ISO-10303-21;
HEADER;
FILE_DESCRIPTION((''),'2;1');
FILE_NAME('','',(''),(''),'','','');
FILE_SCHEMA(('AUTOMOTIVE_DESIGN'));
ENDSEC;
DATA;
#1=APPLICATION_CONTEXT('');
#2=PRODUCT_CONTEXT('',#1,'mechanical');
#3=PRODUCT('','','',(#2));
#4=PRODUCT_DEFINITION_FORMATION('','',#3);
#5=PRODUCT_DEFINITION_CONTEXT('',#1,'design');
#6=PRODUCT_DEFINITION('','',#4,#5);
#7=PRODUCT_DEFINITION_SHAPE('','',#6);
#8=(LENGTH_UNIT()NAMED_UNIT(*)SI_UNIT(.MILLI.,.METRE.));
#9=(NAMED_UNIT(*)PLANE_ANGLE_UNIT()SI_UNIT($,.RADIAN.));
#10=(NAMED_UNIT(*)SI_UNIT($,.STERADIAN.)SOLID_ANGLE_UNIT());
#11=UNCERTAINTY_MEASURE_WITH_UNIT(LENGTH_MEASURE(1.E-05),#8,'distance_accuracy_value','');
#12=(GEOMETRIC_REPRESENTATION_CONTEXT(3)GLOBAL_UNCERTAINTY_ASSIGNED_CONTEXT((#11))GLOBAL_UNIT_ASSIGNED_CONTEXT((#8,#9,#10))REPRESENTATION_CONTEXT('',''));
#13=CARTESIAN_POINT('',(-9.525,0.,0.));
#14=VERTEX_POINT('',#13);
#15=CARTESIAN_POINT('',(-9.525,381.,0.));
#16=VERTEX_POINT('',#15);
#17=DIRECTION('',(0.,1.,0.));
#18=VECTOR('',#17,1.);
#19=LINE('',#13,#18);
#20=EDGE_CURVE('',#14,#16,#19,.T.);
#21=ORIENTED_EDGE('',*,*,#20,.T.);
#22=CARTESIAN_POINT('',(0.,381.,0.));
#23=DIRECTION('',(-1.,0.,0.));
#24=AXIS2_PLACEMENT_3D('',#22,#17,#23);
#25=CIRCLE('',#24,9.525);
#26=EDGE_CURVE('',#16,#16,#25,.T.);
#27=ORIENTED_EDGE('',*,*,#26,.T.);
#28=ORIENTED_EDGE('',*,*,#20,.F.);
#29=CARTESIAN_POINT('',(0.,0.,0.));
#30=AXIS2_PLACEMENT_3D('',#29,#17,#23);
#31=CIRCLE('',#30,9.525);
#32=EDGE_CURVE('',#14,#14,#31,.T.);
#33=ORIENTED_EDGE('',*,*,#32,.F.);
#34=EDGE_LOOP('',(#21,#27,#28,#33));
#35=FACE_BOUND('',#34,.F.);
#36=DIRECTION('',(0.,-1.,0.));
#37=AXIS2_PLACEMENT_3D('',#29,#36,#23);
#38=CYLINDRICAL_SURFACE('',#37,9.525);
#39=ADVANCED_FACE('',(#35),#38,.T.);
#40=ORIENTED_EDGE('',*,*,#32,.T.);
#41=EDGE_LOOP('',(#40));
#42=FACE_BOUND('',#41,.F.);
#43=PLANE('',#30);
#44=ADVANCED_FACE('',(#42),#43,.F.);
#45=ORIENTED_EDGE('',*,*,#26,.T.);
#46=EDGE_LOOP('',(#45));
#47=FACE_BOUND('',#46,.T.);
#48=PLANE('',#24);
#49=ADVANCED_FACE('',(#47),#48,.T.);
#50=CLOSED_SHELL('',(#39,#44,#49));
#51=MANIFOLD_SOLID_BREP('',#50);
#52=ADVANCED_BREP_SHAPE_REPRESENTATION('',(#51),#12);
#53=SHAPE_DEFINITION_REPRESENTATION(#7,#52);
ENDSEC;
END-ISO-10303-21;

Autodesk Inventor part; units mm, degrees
ref_plane "YZ Plane" through (0, 0, 0) normal (1, 0, 0) x (0, 1, 0)
ref_plane "XZ Plane" through (0, 0, 0) normal (0, 1, 0) x (-1, 0, 0)
ref_plane "XY Plane" through (0, 0, 0) normal (0, 0, 1) x (1, 0, 0)
sketch "Sketch1" plane through (0, 0, 0) normal (0, 1, 0) x (-1, 0, 0)
  circle A0 centre (0, 0) radius 9.525
  dimension "d0" = 19.05
extrude "Extrusion1" add sketch "Sketch1" along normal blind 381
properties part number "rod"
